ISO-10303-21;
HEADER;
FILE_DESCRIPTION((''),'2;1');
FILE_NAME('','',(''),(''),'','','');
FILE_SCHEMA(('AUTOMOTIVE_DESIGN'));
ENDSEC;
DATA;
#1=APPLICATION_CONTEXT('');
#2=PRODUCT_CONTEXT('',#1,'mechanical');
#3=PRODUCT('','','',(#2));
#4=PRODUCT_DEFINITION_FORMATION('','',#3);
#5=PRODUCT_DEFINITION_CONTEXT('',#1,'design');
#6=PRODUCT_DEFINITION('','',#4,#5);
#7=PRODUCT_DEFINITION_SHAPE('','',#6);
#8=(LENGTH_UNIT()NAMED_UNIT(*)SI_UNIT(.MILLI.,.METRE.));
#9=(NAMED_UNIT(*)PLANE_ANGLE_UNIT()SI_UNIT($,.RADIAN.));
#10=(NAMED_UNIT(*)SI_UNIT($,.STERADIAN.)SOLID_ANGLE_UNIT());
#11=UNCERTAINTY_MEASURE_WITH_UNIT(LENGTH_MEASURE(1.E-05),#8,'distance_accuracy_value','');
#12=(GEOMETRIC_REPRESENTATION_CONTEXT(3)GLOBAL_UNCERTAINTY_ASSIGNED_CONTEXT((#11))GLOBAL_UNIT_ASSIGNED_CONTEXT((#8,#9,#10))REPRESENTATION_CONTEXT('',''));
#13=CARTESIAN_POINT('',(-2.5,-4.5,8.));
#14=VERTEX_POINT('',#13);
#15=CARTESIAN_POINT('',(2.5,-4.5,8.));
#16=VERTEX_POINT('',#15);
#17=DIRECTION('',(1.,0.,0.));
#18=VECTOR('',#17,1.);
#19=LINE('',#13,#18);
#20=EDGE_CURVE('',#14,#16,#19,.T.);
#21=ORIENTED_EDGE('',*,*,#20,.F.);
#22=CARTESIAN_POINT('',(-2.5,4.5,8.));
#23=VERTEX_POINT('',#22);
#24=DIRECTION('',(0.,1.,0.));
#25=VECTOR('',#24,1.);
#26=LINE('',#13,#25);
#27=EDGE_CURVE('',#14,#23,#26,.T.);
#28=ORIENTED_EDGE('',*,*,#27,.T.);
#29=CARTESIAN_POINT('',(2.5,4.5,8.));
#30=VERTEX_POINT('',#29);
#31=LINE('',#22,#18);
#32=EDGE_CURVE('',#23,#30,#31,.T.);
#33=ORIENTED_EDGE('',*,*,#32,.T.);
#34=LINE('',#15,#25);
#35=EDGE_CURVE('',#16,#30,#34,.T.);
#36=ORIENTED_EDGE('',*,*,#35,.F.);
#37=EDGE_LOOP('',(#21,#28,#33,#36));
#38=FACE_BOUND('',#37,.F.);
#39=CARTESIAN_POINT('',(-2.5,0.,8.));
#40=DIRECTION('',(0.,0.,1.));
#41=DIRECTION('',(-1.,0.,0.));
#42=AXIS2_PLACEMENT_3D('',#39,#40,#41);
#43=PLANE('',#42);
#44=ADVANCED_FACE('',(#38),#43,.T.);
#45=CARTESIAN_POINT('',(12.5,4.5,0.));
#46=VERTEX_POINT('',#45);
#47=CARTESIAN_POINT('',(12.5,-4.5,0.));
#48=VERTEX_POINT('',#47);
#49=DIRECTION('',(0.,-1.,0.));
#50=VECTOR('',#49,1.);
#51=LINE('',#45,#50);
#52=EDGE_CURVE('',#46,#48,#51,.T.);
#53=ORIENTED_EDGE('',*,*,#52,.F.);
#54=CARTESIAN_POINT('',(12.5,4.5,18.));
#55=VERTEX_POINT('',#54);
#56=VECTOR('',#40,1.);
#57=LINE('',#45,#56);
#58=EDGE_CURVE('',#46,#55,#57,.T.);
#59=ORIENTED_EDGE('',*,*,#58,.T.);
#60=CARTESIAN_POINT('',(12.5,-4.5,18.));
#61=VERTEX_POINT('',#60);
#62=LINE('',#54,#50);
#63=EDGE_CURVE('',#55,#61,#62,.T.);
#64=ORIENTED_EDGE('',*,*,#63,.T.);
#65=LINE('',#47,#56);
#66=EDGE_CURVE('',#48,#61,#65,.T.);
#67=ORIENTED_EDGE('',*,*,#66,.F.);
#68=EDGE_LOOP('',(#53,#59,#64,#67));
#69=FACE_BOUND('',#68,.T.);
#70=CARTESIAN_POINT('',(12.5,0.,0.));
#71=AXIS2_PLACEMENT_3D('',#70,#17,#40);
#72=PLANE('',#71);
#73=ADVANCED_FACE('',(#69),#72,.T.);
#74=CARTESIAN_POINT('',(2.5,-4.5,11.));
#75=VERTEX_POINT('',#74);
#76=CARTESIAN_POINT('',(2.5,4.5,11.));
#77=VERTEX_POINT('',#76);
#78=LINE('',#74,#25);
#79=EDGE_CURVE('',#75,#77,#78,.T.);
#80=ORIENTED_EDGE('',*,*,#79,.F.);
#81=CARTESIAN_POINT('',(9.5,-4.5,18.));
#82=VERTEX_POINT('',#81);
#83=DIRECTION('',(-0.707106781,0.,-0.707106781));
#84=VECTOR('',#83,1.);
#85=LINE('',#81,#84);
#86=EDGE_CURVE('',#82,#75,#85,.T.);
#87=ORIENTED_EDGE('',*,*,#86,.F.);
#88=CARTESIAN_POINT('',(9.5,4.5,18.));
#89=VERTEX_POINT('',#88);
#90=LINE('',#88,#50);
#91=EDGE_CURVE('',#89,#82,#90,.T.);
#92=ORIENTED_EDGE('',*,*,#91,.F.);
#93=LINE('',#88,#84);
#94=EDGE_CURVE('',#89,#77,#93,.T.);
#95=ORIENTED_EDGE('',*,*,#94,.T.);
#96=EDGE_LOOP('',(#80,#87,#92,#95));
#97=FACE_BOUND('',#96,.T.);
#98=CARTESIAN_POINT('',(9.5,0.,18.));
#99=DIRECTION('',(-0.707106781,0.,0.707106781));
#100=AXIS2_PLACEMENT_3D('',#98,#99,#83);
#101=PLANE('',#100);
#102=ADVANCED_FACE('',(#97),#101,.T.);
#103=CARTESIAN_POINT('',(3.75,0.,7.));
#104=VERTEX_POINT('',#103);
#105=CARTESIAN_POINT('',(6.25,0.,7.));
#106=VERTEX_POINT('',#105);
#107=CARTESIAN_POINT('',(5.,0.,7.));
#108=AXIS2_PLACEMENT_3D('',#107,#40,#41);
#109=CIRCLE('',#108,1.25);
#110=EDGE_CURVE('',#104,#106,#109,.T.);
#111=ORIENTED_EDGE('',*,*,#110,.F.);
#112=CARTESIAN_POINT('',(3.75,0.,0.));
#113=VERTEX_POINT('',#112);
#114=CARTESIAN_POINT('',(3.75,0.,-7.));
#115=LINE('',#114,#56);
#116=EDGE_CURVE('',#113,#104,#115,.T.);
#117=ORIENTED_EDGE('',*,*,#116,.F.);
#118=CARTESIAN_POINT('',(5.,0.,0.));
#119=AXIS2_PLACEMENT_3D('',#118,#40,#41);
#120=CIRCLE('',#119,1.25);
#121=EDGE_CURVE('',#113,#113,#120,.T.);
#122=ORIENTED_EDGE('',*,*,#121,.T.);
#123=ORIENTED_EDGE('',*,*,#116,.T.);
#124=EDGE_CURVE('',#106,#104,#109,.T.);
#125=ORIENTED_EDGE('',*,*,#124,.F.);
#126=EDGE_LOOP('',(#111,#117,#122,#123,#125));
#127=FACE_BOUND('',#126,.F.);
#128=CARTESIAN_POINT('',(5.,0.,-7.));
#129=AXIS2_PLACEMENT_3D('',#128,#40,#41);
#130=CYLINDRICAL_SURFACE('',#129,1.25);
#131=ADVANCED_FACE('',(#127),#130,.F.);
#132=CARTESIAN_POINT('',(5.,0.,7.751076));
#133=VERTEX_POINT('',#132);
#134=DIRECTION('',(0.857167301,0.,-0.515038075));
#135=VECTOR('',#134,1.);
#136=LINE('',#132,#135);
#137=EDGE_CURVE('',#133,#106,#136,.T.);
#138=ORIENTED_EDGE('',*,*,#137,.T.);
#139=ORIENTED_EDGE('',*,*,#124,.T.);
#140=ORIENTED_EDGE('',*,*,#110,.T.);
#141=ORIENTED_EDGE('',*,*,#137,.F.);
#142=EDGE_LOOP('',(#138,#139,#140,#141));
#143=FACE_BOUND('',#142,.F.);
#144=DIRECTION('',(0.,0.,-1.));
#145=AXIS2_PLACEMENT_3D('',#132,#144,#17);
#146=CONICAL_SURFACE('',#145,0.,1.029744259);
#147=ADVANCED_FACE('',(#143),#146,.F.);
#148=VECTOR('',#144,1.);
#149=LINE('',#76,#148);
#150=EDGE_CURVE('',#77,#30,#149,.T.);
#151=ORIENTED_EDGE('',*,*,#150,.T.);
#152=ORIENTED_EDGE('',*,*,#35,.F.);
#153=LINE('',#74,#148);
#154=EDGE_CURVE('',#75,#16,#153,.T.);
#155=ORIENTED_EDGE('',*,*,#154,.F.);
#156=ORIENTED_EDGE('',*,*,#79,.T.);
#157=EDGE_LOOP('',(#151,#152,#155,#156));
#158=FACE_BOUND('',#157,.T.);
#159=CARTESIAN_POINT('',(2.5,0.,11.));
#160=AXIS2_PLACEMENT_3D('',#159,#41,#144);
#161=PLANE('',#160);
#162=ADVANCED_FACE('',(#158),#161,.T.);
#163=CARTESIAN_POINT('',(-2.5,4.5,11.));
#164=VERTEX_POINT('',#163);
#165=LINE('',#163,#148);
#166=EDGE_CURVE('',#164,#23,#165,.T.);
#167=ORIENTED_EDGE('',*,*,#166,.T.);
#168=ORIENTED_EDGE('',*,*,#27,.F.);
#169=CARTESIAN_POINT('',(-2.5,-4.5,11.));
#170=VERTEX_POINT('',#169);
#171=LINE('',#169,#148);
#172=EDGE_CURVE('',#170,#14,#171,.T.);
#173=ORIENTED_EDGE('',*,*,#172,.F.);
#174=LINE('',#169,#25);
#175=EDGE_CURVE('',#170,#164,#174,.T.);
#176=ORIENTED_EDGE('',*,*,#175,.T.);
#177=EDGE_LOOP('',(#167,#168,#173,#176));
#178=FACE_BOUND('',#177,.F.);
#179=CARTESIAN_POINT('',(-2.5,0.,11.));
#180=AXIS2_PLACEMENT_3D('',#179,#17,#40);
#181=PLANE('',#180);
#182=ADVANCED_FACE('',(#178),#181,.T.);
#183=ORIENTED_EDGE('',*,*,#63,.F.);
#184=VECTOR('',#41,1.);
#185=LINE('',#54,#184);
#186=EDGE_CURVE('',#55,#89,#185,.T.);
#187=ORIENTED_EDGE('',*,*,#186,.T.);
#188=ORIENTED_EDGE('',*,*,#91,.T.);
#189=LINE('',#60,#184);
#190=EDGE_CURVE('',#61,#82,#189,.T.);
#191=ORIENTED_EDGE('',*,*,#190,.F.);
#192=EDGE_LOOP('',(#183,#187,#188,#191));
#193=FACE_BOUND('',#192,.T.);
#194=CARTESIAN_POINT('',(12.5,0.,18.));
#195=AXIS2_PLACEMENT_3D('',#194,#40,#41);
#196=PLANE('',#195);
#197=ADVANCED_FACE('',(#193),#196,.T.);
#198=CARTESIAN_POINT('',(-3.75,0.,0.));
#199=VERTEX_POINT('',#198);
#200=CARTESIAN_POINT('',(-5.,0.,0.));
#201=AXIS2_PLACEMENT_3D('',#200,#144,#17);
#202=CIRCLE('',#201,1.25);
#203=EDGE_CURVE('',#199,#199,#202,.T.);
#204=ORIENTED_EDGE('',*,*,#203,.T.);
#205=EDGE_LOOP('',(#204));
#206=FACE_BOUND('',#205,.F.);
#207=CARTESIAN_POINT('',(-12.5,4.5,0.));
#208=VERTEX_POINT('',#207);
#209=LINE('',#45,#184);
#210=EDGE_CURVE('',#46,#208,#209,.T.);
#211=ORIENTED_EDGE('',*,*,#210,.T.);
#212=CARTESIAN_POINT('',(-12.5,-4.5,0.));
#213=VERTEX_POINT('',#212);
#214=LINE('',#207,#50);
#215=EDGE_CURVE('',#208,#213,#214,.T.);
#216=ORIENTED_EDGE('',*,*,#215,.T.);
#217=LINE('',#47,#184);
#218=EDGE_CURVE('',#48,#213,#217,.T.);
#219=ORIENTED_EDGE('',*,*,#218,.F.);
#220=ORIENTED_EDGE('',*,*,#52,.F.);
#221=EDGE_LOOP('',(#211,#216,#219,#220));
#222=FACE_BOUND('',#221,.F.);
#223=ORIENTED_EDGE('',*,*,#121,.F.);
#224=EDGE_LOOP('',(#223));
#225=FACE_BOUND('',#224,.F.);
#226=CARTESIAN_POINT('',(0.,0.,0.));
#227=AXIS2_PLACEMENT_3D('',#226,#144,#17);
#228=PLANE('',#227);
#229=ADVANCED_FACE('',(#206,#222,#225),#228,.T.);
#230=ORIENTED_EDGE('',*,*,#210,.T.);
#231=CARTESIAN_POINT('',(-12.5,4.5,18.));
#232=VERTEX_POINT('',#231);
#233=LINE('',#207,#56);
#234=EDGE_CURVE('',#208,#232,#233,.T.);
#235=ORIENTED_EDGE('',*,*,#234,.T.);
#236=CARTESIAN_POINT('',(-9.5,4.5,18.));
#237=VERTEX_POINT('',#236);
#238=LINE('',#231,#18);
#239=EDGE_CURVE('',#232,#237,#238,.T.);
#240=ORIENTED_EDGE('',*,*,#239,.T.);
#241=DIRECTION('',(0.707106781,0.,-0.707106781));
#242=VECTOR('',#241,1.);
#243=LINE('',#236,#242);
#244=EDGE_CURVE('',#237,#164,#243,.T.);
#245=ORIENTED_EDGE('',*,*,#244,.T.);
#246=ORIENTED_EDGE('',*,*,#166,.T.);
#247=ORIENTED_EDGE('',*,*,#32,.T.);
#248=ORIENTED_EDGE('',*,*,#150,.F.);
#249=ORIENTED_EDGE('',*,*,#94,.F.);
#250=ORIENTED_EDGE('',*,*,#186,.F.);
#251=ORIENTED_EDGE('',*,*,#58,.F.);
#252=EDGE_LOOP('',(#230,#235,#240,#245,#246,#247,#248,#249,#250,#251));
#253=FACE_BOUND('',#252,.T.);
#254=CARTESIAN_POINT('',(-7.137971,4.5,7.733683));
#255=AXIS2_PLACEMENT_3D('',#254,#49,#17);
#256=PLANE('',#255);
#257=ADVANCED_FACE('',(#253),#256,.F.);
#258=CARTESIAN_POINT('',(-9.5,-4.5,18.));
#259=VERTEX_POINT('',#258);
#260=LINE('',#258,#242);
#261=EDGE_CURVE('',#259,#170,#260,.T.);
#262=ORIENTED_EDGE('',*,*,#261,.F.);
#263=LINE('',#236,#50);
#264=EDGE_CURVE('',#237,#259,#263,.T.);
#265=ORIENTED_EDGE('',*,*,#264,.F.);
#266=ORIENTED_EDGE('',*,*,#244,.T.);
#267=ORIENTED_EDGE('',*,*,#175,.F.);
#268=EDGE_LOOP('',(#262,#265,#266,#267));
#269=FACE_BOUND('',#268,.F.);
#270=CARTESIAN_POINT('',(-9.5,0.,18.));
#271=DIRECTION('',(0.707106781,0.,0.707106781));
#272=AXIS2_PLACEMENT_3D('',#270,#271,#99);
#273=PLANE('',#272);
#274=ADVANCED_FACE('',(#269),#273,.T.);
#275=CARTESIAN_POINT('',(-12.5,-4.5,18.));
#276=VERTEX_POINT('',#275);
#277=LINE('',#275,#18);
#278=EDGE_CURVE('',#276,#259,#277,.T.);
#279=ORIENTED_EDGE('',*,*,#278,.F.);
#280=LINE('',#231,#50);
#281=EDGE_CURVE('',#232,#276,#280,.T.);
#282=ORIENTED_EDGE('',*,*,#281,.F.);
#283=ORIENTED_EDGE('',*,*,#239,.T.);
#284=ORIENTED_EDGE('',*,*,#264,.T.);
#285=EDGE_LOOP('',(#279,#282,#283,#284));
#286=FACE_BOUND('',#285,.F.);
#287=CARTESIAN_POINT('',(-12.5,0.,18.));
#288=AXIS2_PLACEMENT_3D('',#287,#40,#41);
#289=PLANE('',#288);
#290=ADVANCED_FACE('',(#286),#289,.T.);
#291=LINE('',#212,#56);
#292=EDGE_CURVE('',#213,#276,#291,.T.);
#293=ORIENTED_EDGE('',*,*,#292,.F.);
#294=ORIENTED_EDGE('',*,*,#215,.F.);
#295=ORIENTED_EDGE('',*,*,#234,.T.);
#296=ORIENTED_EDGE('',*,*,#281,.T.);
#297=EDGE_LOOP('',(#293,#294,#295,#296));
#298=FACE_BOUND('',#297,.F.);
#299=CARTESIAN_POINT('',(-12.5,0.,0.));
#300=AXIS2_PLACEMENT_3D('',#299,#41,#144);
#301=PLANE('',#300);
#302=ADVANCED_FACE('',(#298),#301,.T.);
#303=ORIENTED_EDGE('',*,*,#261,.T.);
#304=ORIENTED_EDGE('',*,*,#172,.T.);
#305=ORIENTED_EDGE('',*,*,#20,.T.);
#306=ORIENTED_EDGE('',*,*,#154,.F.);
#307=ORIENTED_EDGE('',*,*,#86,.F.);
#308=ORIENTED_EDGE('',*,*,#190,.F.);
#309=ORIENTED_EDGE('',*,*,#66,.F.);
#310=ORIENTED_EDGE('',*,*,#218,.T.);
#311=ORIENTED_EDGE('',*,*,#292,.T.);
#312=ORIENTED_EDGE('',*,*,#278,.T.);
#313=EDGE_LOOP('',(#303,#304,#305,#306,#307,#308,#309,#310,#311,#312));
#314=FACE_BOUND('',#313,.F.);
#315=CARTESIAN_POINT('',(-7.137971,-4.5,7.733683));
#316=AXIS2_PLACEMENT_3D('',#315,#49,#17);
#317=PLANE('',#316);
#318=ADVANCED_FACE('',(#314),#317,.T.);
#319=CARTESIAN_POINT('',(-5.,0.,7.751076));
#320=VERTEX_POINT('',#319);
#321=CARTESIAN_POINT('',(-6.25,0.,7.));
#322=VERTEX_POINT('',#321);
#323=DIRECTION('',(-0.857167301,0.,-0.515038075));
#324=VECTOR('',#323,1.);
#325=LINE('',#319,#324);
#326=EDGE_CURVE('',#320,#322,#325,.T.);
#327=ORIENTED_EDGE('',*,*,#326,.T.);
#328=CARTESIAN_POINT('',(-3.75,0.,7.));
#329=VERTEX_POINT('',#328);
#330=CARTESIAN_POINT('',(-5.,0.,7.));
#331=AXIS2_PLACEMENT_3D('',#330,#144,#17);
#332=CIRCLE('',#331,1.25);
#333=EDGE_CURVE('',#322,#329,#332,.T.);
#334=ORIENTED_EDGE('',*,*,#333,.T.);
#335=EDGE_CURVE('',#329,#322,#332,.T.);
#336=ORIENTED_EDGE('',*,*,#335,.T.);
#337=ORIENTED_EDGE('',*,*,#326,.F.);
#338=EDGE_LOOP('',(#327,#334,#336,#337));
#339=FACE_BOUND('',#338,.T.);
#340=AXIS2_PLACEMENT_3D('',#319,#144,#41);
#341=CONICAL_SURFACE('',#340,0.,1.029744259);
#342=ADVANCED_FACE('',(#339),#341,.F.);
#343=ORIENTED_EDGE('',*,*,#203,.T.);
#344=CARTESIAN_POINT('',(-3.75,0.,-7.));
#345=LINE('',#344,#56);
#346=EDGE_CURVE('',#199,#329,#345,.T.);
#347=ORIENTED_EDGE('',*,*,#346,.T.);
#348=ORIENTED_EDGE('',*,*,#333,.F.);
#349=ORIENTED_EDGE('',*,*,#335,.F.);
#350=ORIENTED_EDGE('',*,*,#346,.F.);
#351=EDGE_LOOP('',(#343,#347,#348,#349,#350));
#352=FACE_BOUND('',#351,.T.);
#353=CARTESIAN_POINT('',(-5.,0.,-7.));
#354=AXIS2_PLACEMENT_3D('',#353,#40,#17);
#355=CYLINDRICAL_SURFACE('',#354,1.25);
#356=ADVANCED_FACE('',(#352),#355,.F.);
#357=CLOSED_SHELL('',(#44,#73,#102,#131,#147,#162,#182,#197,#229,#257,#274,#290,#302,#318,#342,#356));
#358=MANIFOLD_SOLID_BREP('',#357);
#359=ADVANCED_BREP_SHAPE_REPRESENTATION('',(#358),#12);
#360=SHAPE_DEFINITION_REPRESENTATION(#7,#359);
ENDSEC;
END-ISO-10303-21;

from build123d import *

# Parameters (mm, degrees)
F1_DEPTH = 4.5
F3_D     = 2.5
F3_DEPTH = 7
F3_TIP   = 0.7510757738


with BuildPart() as f1:
    # F0 (on Front) → F1 (new body, symmetric)
    with BuildSketch(Plane.XZ):
        Polygon((0, 8), (0, 0), (12.5, 0), (12.5, 18), (9.5, 18), (2.5, 11), (2.5, 8), align=None)
    extrude(amount=F1_DEPTH, both=True)

    # F3
    with Locations(Plane(origin=(0, 0, 0), x_dir=(1, 0, 0), z_dir=(0, 0, -1))):
        with Locations((5, 0)):
            Hole(F3_D / 2, depth=F3_DEPTH)
            with Locations((0, 0, -(F3_DEPTH + F3_TIP / 2))):  # 118° drill point
                Cone(0, F3_D / 2, F3_TIP, mode=Mode.SUBTRACT)

    # F4: F1 across plane


with BuildPart() as f1_1:
    add(f1.part)
    add(f1.part.mirror(Plane.YZ))


solid = f1_1.part
